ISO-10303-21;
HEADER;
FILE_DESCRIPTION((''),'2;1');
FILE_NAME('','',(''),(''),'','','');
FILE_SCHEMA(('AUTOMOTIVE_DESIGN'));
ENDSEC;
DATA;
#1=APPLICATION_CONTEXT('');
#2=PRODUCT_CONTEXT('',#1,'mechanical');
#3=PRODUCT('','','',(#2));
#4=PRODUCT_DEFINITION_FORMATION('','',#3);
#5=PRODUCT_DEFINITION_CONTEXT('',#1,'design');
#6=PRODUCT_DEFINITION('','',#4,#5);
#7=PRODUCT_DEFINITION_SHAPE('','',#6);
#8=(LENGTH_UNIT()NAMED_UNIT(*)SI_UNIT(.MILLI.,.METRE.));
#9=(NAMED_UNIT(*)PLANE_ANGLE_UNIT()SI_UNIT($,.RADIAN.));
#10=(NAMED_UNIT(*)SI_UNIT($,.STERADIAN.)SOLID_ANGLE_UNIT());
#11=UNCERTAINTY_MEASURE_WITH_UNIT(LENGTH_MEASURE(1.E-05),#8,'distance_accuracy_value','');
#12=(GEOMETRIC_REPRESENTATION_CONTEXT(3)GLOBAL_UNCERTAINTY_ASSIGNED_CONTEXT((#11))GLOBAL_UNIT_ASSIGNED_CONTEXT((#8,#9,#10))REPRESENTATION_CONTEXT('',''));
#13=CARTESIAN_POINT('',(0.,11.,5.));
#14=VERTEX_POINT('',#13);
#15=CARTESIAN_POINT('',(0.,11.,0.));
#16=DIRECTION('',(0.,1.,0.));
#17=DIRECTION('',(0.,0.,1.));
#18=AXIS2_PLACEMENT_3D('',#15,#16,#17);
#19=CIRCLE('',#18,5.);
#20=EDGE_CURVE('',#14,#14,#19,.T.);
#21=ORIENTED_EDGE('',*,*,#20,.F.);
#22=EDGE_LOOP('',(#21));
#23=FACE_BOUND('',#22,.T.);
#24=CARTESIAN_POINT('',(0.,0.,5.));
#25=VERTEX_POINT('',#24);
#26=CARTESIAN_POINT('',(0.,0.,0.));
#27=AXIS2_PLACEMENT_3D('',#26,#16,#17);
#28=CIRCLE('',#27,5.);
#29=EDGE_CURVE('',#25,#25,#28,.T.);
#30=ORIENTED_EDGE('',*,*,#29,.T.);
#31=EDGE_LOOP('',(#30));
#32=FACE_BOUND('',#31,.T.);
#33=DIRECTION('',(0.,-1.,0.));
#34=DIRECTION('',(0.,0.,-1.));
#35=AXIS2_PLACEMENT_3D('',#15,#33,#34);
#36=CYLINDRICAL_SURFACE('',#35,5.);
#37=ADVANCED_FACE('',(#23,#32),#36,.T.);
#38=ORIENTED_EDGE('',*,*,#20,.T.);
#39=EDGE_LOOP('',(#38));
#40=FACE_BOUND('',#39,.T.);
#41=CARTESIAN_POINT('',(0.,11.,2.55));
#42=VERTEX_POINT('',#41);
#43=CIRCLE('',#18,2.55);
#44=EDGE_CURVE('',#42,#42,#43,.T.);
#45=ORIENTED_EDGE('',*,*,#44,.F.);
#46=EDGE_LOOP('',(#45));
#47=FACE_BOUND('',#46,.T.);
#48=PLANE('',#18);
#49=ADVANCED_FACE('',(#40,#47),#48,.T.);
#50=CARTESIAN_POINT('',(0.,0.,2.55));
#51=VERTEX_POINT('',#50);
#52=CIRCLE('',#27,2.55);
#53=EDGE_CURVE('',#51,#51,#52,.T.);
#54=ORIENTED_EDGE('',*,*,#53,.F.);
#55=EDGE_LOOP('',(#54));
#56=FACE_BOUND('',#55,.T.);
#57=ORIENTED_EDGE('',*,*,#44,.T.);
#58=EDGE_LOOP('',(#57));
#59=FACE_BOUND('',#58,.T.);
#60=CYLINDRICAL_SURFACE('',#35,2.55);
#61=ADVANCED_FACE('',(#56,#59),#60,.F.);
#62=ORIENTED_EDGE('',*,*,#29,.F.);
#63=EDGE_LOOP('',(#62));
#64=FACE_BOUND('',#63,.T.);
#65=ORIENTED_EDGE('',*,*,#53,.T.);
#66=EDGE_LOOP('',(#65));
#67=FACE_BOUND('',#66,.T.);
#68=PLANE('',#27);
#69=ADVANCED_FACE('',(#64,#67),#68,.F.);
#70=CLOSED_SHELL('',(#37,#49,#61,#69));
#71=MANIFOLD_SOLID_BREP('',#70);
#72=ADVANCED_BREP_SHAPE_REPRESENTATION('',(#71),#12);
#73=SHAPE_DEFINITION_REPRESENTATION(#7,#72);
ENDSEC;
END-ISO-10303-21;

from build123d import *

# Parameters (mm, degrees)
ESQUISSE1_R        = 5
ESQUISSE1_R_2      = 2.55
BOSS_EXTRU_1_DEPTH = 11


with BuildPart() as part:
    # Esquisse1 → Boss.-Extru.1 (new body)
    with BuildSketch(Plane(origin=(0, 0, 0), x_dir=(1, 0, 0), z_dir=(0, 1, 0))):
        Circle(ESQUISSE1_R)
        Circle(ESQUISSE1_R_2, mode=Mode.SUBTRACT)
    extrude(amount=BOSS_EXTRU_1_DEPTH)


solid = part.part
